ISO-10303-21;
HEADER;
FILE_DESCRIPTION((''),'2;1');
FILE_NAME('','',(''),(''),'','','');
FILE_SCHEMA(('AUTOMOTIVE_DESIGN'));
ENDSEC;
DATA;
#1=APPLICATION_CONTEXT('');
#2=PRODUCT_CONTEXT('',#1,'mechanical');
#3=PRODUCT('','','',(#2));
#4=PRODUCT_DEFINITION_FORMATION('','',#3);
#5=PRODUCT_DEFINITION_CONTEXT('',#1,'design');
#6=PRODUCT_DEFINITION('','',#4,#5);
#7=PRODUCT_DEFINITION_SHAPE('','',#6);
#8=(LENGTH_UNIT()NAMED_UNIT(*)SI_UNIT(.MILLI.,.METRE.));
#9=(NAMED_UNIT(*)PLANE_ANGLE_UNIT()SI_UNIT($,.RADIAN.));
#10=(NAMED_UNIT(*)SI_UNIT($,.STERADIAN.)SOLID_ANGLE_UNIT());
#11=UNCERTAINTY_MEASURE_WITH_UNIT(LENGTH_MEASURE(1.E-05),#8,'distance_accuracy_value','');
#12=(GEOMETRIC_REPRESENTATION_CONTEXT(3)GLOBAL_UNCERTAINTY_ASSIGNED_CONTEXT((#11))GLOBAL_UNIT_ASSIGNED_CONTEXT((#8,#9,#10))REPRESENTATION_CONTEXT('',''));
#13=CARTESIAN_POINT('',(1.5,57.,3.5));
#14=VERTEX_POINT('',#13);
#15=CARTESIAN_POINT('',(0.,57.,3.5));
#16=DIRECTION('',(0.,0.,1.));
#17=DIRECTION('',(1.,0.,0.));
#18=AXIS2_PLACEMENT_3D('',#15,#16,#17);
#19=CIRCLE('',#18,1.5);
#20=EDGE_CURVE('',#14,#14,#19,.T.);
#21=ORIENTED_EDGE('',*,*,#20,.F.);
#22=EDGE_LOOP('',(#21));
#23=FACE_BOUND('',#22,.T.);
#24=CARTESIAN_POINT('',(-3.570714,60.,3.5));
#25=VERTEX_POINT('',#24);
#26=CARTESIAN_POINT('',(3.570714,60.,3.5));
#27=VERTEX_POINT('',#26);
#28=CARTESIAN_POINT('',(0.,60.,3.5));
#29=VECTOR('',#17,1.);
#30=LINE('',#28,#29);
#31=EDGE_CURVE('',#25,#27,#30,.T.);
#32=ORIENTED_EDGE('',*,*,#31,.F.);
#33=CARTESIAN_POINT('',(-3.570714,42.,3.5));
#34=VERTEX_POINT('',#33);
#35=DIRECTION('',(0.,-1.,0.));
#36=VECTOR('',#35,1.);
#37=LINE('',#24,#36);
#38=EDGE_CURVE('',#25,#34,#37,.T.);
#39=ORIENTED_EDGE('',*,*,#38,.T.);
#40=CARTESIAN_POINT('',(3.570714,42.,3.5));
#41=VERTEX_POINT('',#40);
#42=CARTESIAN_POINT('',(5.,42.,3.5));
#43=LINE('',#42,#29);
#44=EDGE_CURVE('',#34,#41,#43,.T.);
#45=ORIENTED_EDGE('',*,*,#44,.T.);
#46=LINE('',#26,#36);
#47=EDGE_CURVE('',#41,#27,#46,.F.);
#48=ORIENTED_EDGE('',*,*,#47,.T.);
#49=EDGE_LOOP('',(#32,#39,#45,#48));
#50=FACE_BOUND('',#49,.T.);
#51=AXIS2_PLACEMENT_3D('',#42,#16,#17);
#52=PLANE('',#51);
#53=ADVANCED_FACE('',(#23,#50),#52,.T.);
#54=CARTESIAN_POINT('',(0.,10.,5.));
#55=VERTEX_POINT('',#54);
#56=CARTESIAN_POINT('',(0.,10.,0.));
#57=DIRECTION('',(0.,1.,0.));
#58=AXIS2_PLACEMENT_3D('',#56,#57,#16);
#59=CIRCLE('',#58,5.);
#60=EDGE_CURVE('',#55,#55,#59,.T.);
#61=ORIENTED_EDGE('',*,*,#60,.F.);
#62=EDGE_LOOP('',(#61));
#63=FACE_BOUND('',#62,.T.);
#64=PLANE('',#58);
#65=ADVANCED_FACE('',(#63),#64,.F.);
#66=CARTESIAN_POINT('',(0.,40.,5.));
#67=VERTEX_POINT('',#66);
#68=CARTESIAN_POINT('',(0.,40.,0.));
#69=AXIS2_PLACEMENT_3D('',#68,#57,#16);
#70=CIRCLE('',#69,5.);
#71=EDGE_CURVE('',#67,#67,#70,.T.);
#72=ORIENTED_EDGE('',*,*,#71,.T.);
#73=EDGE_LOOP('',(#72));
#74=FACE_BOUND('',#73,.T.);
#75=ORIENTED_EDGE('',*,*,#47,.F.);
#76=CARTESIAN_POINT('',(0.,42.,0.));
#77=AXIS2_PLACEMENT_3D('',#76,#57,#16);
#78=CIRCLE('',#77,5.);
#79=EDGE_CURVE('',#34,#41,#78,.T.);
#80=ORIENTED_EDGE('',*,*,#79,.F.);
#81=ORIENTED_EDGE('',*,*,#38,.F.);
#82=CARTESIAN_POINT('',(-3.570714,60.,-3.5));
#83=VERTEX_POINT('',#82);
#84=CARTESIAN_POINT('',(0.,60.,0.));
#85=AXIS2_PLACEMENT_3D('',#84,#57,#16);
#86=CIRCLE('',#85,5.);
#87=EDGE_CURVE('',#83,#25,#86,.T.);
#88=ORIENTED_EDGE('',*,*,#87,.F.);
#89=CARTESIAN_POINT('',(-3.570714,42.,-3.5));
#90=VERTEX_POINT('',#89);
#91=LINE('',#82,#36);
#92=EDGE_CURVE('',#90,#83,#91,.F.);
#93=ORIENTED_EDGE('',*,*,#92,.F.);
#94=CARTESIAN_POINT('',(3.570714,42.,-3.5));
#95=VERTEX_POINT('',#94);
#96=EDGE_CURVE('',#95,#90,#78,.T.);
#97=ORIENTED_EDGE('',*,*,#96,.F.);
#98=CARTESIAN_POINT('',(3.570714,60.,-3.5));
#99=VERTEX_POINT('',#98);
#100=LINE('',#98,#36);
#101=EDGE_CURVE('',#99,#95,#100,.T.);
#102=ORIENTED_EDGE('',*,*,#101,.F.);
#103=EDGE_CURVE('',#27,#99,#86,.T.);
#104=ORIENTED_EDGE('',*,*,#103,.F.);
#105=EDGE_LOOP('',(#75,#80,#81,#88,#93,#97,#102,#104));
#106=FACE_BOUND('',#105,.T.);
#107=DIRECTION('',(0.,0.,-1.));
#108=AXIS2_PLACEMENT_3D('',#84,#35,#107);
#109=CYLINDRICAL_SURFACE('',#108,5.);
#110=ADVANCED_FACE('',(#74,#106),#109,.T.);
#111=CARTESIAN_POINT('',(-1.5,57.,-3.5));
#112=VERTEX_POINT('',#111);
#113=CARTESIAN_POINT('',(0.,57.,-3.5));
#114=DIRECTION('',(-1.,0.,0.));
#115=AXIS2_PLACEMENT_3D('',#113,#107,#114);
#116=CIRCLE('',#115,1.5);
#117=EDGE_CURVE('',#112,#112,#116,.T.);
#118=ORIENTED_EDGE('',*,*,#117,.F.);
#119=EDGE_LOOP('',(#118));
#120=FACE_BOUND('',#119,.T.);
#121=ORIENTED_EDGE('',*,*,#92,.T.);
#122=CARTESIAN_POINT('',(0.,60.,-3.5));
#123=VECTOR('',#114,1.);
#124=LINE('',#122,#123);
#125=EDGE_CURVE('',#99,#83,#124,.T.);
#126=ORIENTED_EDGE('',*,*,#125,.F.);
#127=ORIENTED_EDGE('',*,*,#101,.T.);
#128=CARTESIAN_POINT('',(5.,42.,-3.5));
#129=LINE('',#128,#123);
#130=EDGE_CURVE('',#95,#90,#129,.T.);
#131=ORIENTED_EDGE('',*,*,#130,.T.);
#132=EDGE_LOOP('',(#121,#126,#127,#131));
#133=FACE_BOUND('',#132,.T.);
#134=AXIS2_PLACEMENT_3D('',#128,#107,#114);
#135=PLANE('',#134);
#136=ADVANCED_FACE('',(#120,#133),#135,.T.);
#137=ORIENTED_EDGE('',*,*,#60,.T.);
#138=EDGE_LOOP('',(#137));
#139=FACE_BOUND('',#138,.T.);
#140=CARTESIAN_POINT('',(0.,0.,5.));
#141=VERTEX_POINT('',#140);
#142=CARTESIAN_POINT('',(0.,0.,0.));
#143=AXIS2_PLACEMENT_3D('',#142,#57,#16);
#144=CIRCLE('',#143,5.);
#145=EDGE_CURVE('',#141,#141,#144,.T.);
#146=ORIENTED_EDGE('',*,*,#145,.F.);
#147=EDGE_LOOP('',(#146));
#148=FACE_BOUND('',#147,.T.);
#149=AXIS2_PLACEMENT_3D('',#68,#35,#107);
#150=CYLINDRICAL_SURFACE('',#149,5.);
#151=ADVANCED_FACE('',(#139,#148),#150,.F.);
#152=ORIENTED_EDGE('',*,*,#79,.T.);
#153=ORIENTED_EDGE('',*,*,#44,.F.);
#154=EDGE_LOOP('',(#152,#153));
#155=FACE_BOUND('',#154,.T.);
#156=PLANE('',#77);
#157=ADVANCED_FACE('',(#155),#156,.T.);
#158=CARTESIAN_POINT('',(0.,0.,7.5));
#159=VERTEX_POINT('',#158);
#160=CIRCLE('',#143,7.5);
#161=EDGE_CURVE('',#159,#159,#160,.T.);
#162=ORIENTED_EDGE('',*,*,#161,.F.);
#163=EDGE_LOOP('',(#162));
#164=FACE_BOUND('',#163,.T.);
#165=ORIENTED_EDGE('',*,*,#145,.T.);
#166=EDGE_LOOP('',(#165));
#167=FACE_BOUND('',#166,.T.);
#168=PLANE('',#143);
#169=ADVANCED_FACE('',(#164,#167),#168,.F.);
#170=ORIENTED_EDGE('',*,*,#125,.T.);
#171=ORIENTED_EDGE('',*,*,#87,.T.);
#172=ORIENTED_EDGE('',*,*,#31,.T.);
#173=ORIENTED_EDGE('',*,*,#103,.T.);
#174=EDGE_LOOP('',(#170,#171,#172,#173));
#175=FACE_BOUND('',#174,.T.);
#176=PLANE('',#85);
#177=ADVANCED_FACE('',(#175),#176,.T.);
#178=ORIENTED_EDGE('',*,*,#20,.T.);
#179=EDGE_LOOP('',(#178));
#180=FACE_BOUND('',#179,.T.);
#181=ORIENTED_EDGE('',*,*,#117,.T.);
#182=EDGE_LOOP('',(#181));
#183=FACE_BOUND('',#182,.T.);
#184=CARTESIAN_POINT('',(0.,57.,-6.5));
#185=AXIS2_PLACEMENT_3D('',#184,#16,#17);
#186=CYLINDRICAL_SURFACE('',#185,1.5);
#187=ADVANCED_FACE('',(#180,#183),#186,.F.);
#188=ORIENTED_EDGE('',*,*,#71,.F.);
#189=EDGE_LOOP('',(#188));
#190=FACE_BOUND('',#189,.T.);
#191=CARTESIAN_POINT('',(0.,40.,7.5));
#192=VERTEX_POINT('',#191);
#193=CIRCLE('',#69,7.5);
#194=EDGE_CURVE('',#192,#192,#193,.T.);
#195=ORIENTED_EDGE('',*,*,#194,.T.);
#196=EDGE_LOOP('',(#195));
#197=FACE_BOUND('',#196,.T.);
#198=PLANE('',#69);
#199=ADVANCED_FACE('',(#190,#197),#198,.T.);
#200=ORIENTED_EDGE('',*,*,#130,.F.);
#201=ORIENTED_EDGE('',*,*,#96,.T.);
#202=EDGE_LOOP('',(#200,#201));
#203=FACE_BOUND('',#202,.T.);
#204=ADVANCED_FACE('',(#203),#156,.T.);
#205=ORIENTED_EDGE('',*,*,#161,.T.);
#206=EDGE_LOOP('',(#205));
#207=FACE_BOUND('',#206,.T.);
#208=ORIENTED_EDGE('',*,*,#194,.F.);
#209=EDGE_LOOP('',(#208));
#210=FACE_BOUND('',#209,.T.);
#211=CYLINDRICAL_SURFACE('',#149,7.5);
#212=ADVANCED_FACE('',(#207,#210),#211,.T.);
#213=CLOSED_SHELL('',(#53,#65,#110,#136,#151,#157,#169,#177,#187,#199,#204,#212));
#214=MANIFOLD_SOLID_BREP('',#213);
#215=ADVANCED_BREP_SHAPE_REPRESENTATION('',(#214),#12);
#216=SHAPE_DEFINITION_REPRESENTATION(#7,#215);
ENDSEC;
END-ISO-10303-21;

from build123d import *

# Parameters (mm, degrees)
SZKIC1_R                    = 7.5
SZKIC1_R_2                  = 5
DODANIE_WYCI_GNI_CIE1_DEPTH = 40
DODANIE_WYCI_GNI_CIE2_START = 10
SZKIC1_2_R                  = 5
DODANIE_WYCI_GNI_CIE2_DEPTH = 50
SZKIC2_OUTSIDE_W            = 29.728
SZKIC2_OUTSIDE_H            = 29.728
SZKIC2_OUTSIDE_W_2          = 10
SZKIC2_OUTSIDE_H_2          = 7
WYTNIJ_WYCI_GNI_CIE1_DEPTH  = 18
SZKIC3_R                    = 1.5
WYTNIJ_WYCI_GNI_CIE2_DEPTH  = 10


with BuildPart() as part:
    # Szkic1 → Dodanie-wyci_gni_cie1 (new body)
    with BuildSketch(Plane(origin=(0, 0, 0), x_dir=(1, 0, 0), z_dir=(0, 1, 0))):
        Circle(SZKIC1_R)
        Circle(SZKIC1_R_2, mode=Mode.SUBTRACT)
    extrude(amount=DODANIE_WYCI_GNI_CIE1_DEPTH)

    # Szkic1_2 → Dodanie-wyci_gni_cie2 (add)
    with BuildSketch(Plane(origin=(0, 0, 0), x_dir=(1, 0, 0), z_dir=(0, 1, 0)).offset(DODANIE_WYCI_GNI_CIE2_START)):
        Circle(SZKIC1_2_R)
    extrude(amount=DODANIE_WYCI_GNI_CIE2_DEPTH)

    # Szkic2 outside → Wytnij-wyci_gni_cie1 (cut)
    with BuildSketch(Plane(origin=(0, 60, 0), x_dir=(1, 0, 0), z_dir=(0, 1, 0))):
        Rectangle(SZKIC2_OUTSIDE_W, SZKIC2_OUTSIDE_H)
        Rectangle(SZKIC2_OUTSIDE_W_2, SZKIC2_OUTSIDE_H_2, mode=Mode.SUBTRACT)
    extrude(amount=-WYTNIJ_WYCI_GNI_CIE1_DEPTH, mode=Mode.SUBTRACT)

    # Szkic3 → Wytnij-wyci_gni_cie2 (cut)
    with BuildSketch(Plane.XY.offset(3.5)):
        with Locations((0, 57)):
            Circle(SZKIC3_R)
    extrude(amount=-WYTNIJ_WYCI_GNI_CIE2_DEPTH, mode=Mode.SUBTRACT)


solid = part.part
